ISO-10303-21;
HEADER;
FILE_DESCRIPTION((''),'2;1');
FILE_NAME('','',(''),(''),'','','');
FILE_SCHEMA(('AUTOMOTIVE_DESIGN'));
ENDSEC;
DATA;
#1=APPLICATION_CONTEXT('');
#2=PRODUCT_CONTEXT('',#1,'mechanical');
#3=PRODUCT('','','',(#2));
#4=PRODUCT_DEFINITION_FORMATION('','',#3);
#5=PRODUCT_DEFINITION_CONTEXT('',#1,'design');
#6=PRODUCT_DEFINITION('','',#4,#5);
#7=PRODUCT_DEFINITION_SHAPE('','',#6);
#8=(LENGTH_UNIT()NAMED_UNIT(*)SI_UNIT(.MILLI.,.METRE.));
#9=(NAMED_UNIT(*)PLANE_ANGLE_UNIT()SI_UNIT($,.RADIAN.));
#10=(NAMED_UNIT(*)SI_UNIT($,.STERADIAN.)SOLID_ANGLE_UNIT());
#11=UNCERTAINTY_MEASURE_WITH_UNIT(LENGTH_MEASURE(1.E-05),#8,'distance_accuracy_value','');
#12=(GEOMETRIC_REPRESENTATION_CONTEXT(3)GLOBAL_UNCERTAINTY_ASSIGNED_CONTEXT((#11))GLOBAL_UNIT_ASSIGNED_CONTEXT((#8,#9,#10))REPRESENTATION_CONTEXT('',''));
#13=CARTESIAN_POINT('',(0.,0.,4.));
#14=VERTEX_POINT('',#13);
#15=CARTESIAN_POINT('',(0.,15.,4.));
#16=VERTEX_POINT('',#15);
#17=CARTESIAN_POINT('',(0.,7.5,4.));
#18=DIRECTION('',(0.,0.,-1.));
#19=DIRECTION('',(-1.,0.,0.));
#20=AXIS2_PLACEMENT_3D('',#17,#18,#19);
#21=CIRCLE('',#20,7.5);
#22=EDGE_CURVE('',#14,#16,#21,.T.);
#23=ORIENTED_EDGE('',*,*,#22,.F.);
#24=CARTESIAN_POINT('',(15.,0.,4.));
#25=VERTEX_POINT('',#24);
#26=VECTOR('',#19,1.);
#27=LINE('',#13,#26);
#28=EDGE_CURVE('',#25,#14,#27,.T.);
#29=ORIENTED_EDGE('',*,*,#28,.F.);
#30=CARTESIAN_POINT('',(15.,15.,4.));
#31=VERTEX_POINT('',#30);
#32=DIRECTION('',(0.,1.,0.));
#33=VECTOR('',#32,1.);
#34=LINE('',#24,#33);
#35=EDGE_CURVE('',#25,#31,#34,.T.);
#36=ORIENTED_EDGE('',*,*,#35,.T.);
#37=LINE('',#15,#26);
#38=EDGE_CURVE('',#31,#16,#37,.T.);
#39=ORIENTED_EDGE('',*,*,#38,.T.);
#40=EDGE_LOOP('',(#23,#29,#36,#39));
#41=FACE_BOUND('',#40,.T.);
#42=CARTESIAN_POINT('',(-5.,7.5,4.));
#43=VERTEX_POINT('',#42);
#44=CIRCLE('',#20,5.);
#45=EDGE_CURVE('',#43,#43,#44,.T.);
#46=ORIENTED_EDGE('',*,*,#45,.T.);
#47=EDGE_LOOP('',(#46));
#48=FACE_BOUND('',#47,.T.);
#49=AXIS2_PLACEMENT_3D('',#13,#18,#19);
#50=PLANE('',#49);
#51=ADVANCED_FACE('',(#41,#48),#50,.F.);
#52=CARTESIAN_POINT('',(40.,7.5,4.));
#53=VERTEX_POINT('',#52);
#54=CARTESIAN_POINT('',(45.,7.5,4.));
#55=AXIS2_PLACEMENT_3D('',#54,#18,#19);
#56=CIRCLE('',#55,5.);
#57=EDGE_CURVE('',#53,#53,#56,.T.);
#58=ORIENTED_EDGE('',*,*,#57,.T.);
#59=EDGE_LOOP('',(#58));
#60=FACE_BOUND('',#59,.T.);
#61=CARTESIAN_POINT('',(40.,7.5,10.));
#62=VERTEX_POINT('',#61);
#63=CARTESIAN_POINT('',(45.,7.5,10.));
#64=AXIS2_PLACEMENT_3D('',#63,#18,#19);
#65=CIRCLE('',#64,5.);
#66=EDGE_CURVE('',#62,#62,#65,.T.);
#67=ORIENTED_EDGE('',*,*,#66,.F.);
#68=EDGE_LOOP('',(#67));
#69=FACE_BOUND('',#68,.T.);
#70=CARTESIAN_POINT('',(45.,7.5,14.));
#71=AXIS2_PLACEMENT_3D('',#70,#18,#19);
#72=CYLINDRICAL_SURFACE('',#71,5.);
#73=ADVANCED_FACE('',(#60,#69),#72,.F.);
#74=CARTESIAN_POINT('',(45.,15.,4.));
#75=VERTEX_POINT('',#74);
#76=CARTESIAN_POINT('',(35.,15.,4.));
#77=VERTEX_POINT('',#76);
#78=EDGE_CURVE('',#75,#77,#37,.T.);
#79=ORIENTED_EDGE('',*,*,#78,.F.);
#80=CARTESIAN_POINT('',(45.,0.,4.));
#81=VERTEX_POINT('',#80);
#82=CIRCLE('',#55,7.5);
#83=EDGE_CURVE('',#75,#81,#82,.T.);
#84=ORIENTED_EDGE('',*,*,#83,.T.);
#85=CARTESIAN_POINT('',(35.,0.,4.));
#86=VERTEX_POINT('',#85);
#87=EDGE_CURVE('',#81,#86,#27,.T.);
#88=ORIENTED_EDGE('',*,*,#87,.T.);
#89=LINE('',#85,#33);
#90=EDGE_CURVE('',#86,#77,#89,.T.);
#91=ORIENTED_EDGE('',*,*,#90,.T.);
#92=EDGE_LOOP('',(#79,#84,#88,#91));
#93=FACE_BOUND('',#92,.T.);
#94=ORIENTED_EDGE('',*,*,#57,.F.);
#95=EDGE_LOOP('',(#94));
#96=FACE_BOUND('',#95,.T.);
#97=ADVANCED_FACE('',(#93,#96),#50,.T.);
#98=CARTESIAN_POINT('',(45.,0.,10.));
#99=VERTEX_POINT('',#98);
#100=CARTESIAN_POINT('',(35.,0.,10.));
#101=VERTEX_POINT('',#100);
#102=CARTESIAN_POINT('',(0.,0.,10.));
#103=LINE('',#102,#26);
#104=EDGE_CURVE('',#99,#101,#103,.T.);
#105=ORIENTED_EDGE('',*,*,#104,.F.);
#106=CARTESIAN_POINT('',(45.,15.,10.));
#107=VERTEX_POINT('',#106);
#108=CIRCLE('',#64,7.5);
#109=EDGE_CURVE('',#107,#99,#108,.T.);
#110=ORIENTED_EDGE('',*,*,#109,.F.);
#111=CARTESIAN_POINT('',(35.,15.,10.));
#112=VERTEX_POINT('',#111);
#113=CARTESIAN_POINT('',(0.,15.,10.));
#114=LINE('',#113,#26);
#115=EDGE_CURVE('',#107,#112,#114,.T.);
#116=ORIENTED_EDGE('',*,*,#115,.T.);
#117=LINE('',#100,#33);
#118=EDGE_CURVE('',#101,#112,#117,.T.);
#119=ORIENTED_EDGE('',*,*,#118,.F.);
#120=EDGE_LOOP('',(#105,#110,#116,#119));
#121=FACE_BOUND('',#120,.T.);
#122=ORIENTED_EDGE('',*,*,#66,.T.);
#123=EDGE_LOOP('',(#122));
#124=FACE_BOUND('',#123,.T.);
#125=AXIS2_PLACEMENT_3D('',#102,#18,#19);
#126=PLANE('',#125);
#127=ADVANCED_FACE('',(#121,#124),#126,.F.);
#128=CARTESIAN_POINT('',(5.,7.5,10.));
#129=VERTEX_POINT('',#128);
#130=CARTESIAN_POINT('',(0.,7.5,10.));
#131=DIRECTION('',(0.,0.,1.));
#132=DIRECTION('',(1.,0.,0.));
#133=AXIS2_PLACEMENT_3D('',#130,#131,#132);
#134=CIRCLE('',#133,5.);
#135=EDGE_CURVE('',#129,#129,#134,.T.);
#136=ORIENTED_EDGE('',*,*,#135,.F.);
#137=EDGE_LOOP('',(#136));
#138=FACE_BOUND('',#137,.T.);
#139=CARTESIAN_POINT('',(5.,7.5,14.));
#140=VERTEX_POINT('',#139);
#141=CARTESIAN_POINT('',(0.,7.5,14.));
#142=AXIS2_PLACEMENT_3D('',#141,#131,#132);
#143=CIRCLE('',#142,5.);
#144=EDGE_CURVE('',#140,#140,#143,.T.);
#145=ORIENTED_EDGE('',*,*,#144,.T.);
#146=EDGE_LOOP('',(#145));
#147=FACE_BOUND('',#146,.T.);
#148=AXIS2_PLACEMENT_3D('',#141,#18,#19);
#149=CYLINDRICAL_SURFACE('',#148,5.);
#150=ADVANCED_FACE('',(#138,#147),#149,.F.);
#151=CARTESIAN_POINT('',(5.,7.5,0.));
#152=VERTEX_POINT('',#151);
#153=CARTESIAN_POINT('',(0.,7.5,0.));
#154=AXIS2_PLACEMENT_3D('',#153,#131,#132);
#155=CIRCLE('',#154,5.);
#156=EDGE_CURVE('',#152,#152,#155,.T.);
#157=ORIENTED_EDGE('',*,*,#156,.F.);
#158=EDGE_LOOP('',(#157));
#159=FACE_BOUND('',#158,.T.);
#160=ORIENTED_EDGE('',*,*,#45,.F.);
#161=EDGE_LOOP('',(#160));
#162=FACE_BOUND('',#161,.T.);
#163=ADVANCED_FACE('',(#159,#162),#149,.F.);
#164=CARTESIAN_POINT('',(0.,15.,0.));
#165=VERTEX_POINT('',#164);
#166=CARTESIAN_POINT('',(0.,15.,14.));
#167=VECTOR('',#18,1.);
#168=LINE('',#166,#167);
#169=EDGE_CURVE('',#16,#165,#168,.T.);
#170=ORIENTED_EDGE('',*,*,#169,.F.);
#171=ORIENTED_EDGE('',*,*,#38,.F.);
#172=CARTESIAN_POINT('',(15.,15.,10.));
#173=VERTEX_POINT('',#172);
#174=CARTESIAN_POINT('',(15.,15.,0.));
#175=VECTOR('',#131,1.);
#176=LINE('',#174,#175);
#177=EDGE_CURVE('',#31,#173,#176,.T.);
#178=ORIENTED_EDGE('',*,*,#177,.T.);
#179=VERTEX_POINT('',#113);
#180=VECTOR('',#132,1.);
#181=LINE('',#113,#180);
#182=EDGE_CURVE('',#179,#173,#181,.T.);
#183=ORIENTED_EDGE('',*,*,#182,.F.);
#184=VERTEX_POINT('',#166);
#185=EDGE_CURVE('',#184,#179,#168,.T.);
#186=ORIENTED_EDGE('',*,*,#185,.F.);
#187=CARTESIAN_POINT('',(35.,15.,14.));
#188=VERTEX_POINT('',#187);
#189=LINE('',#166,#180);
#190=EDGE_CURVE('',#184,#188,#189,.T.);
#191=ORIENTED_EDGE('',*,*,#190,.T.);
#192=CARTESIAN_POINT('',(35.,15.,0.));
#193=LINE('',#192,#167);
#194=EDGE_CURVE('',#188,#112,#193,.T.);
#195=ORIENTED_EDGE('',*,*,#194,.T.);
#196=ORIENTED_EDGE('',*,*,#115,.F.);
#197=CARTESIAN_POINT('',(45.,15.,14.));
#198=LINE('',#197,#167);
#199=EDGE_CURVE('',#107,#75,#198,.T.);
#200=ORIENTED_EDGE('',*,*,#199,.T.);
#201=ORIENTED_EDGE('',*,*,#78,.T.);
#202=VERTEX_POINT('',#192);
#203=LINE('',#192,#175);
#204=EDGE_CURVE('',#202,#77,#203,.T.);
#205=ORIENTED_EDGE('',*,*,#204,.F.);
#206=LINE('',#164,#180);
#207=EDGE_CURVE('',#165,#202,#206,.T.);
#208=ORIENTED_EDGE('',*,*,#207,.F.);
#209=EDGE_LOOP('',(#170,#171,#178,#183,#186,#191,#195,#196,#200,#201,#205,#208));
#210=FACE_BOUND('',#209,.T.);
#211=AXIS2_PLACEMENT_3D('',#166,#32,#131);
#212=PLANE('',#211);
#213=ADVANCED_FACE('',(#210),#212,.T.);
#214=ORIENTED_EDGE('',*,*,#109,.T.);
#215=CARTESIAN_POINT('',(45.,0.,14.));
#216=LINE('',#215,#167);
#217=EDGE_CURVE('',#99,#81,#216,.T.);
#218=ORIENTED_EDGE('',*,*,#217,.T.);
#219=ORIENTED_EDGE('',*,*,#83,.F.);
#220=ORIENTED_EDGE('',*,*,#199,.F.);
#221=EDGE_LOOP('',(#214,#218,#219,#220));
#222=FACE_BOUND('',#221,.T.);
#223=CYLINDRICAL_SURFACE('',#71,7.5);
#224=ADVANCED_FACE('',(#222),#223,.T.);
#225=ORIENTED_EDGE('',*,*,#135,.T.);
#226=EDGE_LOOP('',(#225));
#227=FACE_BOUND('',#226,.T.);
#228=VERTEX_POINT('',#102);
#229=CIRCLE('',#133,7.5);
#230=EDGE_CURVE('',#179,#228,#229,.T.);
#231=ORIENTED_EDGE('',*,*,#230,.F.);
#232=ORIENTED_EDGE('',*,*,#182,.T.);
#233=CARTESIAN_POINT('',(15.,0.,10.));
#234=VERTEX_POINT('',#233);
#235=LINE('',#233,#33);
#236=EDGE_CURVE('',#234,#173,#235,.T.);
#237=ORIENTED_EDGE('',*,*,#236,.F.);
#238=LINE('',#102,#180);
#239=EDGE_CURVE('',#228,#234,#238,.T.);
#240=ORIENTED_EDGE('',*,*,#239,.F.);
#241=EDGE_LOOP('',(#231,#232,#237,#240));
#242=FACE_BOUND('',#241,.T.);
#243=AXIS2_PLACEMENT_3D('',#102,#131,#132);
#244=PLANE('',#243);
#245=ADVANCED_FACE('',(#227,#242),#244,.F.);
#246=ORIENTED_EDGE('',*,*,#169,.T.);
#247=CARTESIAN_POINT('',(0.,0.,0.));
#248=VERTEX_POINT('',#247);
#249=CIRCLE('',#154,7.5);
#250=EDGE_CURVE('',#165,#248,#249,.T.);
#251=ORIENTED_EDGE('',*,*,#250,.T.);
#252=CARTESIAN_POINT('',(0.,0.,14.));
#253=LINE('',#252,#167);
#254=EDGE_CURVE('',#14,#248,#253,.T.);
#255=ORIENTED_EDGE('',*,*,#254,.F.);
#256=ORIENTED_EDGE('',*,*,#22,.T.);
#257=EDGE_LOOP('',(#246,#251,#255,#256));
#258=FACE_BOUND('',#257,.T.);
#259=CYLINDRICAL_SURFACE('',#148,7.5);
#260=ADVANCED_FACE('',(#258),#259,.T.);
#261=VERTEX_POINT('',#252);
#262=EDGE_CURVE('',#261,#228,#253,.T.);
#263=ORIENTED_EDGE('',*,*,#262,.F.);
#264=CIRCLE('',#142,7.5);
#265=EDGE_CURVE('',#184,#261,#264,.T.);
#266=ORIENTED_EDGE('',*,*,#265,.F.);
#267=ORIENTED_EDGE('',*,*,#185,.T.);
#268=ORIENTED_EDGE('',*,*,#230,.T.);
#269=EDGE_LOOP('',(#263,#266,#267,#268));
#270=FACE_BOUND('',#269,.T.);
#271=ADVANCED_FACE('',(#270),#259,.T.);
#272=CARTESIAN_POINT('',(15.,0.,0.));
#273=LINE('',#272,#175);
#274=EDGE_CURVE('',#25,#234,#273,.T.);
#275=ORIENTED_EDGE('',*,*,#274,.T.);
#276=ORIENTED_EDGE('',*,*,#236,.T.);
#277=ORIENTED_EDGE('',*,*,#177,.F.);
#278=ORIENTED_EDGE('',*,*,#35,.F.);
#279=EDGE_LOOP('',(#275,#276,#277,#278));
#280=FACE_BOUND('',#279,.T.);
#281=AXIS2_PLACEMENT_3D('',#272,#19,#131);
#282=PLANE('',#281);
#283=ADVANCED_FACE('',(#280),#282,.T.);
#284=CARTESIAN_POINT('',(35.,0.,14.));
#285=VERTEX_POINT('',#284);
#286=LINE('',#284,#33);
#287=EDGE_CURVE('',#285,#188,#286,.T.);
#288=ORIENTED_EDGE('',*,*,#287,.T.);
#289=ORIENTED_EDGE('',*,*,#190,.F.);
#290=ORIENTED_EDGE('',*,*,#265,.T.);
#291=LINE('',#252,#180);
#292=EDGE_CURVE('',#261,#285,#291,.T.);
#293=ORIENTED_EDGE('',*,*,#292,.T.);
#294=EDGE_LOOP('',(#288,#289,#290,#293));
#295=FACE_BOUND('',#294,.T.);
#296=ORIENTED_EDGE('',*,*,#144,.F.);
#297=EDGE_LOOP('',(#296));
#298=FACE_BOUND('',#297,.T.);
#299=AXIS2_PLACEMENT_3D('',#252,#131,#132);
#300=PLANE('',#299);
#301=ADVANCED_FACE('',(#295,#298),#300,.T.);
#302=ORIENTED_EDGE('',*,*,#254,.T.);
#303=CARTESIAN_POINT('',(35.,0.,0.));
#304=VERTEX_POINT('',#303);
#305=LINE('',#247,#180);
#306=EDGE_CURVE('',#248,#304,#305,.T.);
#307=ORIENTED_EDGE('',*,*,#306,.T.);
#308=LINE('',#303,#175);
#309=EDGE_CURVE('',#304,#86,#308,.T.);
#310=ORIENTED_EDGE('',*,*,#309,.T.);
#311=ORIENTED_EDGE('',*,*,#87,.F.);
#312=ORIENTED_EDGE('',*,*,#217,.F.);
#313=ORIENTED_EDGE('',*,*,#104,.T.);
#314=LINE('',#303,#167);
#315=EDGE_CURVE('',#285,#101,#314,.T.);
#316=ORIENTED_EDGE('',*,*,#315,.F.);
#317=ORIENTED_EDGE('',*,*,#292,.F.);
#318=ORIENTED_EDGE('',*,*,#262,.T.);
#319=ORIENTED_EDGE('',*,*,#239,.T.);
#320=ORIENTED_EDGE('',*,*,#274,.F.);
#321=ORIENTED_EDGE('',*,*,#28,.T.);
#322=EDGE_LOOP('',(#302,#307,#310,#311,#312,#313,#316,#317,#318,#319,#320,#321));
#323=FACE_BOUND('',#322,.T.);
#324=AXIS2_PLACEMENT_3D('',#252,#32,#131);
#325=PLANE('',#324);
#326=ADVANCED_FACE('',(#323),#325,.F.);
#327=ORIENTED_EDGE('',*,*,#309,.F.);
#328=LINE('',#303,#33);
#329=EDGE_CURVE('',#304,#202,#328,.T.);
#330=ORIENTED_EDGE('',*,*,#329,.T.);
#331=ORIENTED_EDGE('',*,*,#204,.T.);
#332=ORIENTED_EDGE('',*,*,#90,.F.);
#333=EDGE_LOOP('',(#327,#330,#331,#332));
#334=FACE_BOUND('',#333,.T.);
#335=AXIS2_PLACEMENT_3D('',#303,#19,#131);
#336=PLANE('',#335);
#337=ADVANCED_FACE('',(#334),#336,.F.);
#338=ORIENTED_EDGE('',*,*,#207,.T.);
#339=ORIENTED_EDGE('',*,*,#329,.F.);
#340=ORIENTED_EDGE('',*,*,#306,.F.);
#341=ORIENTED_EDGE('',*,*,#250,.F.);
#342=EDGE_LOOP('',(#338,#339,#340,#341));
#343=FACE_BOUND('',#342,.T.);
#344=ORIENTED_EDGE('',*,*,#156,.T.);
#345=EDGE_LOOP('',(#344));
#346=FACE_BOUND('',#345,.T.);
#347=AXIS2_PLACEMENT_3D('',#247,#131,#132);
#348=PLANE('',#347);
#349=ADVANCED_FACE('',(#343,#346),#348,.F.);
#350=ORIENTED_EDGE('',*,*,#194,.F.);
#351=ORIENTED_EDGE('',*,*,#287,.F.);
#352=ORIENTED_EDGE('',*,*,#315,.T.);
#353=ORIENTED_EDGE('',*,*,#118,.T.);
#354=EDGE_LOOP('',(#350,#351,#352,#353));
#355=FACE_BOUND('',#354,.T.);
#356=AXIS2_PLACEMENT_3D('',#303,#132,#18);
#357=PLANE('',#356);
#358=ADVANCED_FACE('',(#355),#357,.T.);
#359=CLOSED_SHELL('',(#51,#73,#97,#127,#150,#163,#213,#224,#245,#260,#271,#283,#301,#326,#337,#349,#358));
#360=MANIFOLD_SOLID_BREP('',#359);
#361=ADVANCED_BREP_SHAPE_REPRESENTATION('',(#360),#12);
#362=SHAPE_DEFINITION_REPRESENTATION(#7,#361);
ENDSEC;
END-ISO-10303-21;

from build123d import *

# Parameters (mm, degrees)
BOSS_EXTRU_1_DEPTH      = 14
ESQUISSE2_W             = 7.5
ESQUISSE2_H             = 6
ESQUISSE2_W_2           = 15
ESQUISSE2_W_3           = 10
ESQUISSE2_H_2           = 4
ENL_V_MAT_EXTRU_1_DEPTH = 15


with BuildPart() as part:
    # Esquisse1 → Boss.-Extru.1 (new body)
    with BuildSketch(Plane.XY):
        with BuildLine():
            ThreePointArc((7.5, 7.5), (5.303300859, 2.196699141), (0, 0))
            Line((0, 0), (45, 0))
            ThreePointArc((45, 0), (37.5, 7.5), (45, 15))
            Line((45, 15), (0, 15))
            ThreePointArc((0, 15), (5.303300859, 12.803300859), (7.5, 7.5))
        make_face()
        with BuildLine():
            ThreePointArc((45, 15), (37.5, 7.5), (45, 0))
            Line((45, 0), (45, 2.5))
            ThreePointArc((45, 2.5), (40, 7.5), (45, 12.5))
            Line((45, 12.5), (45, 15))
        make_face()
        with BuildLine():
            Line((45, 2.5), (45, 0))
            ThreePointArc((45, 0), (50.303300859, 2.196699141), (52.5, 7.5))
            ThreePointArc((52.5, 7.5), (50.303300859, 12.803300859), (45, 15))
            Line((45, 15), (45, 12.5))
            ThreePointArc((45, 12.5), (48.535533906, 11.035533906), (50, 7.5))
            ThreePointArc((50, 7.5), (48.535533906, 3.964466094), (45, 2.5))
        make_face()
        with BuildLine():
            ThreePointArc((0, 15), (-7.5, 7.5), (0, 0))
            Line((0, 0), (0, 2.5))
            ThreePointArc((0, 2.5), (-5, 7.5), (0, 12.5))
            Line((0, 12.5), (0, 15))
        make_face()
        with BuildLine():
            Line((0, 2.5), (0, 0))
            ThreePointArc((0, 0), (5.303300859, 2.196699141), (7.5, 7.5))
            ThreePointArc((7.5, 7.5), (5.303300859, 12.803300859), (0, 15))
            Line((0, 15), (0, 12.5))
            ThreePointArc((0, 12.5), (3.535533906, 11.035533906), (5, 7.5))
            ThreePointArc((5, 7.5), (3.535533906, 3.964466094), (0, 2.5))
        make_face()
    extrude(amount=BOSS_EXTRU_1_DEPTH)

    # Esquisse2 → Enlèv. mat.-Extru.1 (cut)
    with BuildSketch(Plane(origin=(0, 15, 0), x_dir=(1, 0, 0), z_dir=(0, 1, 0))):
        with Locations((-3.75, -7)):
            Rectangle(ESQUISSE2_W, ESQUISSE2_H)
        with Locations((7.5, -7)):
            Rectangle(ESQUISSE2_W_2, ESQUISSE2_H)
        with Locations((40, -2)):
            Rectangle(ESQUISSE2_W_3, ESQUISSE2_H_2)
        with Locations((48.75, -2)):
            Rectangle(ESQUISSE2_W, ESQUISSE2_H_2)
        with Locations((48.75, -12)):
            Rectangle(ESQUISSE2_W, ESQUISSE2_H_2)
        with Locations((40, -12)):
            Rectangle(ESQUISSE2_W_3, ESQUISSE2_H_2)
    extrude(amount=-ENL_V_MAT_EXTRU_1_DEPTH, mode=Mode.SUBTRACT)


solid = part.part
